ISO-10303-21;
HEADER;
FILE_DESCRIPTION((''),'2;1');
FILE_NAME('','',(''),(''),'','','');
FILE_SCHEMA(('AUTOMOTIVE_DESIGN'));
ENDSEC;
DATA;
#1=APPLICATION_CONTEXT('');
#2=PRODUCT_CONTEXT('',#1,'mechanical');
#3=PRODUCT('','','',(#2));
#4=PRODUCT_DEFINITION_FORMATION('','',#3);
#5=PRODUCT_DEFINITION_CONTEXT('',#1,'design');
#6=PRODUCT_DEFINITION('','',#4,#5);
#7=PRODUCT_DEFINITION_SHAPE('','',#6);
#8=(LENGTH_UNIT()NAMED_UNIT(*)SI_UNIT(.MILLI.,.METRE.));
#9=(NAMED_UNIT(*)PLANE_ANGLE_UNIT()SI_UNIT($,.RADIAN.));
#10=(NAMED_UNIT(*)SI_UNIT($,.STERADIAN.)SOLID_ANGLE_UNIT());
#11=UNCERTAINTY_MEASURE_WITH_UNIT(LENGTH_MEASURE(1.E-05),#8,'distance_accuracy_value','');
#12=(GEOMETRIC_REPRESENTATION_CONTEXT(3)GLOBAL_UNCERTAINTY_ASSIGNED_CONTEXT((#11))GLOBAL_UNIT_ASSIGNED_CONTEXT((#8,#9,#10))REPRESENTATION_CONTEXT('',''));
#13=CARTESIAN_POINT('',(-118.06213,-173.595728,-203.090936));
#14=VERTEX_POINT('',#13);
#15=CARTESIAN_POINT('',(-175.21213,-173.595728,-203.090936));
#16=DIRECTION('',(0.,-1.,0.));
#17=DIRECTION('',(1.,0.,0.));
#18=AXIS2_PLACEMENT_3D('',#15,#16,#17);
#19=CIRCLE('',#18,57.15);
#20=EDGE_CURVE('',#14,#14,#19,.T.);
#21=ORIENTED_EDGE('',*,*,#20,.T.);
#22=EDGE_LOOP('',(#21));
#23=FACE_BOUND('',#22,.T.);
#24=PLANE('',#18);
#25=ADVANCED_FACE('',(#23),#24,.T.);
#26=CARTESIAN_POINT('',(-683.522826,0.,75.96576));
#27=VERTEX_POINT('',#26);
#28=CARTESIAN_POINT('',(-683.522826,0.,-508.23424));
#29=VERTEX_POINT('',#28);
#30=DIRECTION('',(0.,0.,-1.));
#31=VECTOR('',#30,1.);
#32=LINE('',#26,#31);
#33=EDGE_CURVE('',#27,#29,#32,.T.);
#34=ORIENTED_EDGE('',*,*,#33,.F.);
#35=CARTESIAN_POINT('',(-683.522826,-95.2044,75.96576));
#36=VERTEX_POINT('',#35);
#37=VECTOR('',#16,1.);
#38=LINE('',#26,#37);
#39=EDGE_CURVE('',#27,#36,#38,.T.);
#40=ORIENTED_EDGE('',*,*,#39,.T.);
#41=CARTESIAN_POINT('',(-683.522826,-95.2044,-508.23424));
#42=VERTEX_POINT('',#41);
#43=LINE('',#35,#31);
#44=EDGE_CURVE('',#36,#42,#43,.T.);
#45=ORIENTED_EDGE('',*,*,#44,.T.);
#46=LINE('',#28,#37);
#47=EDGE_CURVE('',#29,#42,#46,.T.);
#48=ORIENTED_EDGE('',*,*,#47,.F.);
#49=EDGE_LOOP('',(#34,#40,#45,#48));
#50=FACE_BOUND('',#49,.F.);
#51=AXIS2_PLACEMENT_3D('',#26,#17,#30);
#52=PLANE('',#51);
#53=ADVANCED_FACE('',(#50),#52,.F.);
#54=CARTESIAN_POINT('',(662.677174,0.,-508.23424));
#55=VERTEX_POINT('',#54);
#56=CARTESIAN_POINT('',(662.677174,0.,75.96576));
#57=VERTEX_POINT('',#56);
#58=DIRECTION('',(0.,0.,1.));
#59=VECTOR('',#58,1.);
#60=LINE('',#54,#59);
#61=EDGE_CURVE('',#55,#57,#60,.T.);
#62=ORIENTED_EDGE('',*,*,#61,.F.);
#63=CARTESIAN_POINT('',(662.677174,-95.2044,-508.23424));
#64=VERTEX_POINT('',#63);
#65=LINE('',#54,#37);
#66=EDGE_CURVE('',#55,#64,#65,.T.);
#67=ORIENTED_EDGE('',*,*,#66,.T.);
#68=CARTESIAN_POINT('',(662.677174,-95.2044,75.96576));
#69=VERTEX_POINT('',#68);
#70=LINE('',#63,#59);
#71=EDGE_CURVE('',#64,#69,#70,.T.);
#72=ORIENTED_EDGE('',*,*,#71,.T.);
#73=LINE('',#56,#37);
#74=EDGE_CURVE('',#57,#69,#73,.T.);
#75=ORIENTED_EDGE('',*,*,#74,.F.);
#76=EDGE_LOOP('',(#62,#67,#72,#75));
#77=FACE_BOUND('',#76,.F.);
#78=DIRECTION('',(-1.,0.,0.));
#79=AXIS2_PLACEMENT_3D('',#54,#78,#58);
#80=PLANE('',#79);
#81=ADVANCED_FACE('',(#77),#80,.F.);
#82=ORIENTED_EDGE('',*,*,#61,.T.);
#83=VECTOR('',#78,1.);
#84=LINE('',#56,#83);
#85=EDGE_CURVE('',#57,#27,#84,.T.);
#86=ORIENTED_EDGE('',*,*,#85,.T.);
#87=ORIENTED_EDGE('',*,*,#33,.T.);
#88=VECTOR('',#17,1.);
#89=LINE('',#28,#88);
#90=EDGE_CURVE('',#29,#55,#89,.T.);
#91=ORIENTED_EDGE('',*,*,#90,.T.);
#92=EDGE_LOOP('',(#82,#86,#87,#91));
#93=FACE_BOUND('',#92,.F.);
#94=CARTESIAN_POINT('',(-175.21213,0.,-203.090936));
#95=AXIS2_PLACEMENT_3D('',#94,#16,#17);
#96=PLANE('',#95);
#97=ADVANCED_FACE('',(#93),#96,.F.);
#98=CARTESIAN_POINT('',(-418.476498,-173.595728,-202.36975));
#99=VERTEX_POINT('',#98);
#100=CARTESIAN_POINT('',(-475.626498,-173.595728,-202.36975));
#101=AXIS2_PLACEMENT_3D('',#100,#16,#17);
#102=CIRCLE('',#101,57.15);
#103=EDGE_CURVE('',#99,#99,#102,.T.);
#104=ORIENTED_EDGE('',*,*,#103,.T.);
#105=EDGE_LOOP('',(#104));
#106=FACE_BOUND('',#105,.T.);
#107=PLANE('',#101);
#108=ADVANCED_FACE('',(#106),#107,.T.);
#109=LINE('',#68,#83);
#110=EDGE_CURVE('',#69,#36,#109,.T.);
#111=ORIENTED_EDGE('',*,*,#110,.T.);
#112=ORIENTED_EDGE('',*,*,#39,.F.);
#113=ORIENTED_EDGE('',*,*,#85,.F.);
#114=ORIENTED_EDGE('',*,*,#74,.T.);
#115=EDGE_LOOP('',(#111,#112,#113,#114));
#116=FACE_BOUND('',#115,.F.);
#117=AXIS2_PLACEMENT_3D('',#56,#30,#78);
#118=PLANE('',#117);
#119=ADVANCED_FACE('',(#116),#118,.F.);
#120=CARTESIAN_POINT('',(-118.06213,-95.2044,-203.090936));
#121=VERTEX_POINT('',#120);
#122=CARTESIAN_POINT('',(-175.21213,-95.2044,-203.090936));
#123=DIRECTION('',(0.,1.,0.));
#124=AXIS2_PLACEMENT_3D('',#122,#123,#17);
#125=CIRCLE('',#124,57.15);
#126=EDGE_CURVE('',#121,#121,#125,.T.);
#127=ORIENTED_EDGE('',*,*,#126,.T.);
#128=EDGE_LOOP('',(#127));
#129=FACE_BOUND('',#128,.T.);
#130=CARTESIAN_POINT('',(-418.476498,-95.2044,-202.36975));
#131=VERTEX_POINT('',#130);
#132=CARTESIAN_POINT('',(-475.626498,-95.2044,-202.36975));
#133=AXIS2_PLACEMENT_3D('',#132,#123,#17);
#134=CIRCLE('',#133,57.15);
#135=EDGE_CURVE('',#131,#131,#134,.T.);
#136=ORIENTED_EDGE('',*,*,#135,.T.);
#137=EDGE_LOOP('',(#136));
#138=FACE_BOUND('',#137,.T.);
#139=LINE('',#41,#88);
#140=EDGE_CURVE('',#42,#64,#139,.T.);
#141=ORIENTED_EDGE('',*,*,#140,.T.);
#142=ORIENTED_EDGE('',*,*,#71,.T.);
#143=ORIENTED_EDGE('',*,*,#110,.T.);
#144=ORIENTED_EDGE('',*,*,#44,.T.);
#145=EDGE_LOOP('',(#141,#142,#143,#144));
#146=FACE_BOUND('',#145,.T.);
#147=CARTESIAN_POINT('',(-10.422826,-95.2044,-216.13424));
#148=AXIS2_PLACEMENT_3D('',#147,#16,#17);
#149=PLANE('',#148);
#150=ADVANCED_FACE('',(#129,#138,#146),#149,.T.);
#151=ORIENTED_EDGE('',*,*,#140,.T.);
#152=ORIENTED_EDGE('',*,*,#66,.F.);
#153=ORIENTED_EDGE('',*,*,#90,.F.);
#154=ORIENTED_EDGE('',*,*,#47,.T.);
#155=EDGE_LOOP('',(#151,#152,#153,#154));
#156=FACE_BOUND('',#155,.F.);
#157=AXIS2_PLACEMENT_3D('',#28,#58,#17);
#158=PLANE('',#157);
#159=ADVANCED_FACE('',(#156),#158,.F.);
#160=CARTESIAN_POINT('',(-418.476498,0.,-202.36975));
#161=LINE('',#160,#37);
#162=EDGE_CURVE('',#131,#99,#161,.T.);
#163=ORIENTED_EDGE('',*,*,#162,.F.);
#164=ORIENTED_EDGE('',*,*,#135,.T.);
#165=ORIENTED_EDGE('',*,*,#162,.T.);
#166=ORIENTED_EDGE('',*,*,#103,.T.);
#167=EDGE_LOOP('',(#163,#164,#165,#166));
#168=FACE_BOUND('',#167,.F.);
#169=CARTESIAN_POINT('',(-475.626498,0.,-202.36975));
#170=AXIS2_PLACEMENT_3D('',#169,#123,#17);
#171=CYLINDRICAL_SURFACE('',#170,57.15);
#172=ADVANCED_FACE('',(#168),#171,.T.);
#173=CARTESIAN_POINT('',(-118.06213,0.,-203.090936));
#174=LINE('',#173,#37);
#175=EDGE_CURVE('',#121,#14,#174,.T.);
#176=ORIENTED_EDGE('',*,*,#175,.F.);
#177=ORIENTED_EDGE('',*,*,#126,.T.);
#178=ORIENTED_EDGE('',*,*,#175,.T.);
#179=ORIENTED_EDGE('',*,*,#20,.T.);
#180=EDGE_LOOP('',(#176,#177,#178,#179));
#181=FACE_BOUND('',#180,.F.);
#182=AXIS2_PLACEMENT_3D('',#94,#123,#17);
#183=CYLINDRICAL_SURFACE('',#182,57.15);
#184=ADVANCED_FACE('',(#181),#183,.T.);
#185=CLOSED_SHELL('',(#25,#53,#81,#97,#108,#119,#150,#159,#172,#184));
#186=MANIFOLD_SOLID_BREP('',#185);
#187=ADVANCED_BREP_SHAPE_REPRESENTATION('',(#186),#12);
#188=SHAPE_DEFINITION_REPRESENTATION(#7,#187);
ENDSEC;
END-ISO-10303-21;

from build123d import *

# Parameters (mm, degrees)
F0_R     = 57.15
F1_DEPTH = 95.2044
F2_R     = 57.15
F3_DEPTH = 173.595728


with BuildPart() as f1:
    # F0 (on Front) → F1 (new body)
    with BuildSketch(Plane.XZ):
        Polygon((662.677174, 75.96576), (-683.522826, 75.96576), (-683.522826, -508.23424), (262.349523, -508.23424), (268.236725, -508.23424), (662.677174, -508.23424), align=None)
        with Locations((-475.626498, -202.36975)):
            Circle(F0_R, mode=Mode.SUBTRACT)
        with BuildLine():
            ThreePointArc((-77.100498, -202.36975), (-134.250498, -259.51975), (-191.400498, -202.36975))
            ThreePointArc((-191.400498, -202.36975), (-134.250498, -145.21975), (-77.100498, -202.36975))
        make_face(mode=Mode.SUBTRACT)
        with Locations((-475.626498, -202.36975)):
            Circle(F0_R)
        with BuildLine():
            ThreePointArc((-77.100498, -202.36975), (-134.250498, -145.21975), (-191.400498, -202.36975))
            ThreePointArc((-191.400498, -202.36975), (-134.250498, -259.51975), (-77.100498, -202.36975))
        make_face()
    extrude(amount=F1_DEPTH)

    # F2 (on Front) + F0 (on Front) → F3 (join)
    with BuildSketch(Plane.XZ):
        with Locations((-175.21213, -203.090936)):
            Circle(F2_R)
    with BuildSketch(Plane.XZ):
        with Locations((-475.626498, -202.36975)):
            Circle(F0_R)
    extrude(amount=F3_DEPTH)


solid = f1.part
